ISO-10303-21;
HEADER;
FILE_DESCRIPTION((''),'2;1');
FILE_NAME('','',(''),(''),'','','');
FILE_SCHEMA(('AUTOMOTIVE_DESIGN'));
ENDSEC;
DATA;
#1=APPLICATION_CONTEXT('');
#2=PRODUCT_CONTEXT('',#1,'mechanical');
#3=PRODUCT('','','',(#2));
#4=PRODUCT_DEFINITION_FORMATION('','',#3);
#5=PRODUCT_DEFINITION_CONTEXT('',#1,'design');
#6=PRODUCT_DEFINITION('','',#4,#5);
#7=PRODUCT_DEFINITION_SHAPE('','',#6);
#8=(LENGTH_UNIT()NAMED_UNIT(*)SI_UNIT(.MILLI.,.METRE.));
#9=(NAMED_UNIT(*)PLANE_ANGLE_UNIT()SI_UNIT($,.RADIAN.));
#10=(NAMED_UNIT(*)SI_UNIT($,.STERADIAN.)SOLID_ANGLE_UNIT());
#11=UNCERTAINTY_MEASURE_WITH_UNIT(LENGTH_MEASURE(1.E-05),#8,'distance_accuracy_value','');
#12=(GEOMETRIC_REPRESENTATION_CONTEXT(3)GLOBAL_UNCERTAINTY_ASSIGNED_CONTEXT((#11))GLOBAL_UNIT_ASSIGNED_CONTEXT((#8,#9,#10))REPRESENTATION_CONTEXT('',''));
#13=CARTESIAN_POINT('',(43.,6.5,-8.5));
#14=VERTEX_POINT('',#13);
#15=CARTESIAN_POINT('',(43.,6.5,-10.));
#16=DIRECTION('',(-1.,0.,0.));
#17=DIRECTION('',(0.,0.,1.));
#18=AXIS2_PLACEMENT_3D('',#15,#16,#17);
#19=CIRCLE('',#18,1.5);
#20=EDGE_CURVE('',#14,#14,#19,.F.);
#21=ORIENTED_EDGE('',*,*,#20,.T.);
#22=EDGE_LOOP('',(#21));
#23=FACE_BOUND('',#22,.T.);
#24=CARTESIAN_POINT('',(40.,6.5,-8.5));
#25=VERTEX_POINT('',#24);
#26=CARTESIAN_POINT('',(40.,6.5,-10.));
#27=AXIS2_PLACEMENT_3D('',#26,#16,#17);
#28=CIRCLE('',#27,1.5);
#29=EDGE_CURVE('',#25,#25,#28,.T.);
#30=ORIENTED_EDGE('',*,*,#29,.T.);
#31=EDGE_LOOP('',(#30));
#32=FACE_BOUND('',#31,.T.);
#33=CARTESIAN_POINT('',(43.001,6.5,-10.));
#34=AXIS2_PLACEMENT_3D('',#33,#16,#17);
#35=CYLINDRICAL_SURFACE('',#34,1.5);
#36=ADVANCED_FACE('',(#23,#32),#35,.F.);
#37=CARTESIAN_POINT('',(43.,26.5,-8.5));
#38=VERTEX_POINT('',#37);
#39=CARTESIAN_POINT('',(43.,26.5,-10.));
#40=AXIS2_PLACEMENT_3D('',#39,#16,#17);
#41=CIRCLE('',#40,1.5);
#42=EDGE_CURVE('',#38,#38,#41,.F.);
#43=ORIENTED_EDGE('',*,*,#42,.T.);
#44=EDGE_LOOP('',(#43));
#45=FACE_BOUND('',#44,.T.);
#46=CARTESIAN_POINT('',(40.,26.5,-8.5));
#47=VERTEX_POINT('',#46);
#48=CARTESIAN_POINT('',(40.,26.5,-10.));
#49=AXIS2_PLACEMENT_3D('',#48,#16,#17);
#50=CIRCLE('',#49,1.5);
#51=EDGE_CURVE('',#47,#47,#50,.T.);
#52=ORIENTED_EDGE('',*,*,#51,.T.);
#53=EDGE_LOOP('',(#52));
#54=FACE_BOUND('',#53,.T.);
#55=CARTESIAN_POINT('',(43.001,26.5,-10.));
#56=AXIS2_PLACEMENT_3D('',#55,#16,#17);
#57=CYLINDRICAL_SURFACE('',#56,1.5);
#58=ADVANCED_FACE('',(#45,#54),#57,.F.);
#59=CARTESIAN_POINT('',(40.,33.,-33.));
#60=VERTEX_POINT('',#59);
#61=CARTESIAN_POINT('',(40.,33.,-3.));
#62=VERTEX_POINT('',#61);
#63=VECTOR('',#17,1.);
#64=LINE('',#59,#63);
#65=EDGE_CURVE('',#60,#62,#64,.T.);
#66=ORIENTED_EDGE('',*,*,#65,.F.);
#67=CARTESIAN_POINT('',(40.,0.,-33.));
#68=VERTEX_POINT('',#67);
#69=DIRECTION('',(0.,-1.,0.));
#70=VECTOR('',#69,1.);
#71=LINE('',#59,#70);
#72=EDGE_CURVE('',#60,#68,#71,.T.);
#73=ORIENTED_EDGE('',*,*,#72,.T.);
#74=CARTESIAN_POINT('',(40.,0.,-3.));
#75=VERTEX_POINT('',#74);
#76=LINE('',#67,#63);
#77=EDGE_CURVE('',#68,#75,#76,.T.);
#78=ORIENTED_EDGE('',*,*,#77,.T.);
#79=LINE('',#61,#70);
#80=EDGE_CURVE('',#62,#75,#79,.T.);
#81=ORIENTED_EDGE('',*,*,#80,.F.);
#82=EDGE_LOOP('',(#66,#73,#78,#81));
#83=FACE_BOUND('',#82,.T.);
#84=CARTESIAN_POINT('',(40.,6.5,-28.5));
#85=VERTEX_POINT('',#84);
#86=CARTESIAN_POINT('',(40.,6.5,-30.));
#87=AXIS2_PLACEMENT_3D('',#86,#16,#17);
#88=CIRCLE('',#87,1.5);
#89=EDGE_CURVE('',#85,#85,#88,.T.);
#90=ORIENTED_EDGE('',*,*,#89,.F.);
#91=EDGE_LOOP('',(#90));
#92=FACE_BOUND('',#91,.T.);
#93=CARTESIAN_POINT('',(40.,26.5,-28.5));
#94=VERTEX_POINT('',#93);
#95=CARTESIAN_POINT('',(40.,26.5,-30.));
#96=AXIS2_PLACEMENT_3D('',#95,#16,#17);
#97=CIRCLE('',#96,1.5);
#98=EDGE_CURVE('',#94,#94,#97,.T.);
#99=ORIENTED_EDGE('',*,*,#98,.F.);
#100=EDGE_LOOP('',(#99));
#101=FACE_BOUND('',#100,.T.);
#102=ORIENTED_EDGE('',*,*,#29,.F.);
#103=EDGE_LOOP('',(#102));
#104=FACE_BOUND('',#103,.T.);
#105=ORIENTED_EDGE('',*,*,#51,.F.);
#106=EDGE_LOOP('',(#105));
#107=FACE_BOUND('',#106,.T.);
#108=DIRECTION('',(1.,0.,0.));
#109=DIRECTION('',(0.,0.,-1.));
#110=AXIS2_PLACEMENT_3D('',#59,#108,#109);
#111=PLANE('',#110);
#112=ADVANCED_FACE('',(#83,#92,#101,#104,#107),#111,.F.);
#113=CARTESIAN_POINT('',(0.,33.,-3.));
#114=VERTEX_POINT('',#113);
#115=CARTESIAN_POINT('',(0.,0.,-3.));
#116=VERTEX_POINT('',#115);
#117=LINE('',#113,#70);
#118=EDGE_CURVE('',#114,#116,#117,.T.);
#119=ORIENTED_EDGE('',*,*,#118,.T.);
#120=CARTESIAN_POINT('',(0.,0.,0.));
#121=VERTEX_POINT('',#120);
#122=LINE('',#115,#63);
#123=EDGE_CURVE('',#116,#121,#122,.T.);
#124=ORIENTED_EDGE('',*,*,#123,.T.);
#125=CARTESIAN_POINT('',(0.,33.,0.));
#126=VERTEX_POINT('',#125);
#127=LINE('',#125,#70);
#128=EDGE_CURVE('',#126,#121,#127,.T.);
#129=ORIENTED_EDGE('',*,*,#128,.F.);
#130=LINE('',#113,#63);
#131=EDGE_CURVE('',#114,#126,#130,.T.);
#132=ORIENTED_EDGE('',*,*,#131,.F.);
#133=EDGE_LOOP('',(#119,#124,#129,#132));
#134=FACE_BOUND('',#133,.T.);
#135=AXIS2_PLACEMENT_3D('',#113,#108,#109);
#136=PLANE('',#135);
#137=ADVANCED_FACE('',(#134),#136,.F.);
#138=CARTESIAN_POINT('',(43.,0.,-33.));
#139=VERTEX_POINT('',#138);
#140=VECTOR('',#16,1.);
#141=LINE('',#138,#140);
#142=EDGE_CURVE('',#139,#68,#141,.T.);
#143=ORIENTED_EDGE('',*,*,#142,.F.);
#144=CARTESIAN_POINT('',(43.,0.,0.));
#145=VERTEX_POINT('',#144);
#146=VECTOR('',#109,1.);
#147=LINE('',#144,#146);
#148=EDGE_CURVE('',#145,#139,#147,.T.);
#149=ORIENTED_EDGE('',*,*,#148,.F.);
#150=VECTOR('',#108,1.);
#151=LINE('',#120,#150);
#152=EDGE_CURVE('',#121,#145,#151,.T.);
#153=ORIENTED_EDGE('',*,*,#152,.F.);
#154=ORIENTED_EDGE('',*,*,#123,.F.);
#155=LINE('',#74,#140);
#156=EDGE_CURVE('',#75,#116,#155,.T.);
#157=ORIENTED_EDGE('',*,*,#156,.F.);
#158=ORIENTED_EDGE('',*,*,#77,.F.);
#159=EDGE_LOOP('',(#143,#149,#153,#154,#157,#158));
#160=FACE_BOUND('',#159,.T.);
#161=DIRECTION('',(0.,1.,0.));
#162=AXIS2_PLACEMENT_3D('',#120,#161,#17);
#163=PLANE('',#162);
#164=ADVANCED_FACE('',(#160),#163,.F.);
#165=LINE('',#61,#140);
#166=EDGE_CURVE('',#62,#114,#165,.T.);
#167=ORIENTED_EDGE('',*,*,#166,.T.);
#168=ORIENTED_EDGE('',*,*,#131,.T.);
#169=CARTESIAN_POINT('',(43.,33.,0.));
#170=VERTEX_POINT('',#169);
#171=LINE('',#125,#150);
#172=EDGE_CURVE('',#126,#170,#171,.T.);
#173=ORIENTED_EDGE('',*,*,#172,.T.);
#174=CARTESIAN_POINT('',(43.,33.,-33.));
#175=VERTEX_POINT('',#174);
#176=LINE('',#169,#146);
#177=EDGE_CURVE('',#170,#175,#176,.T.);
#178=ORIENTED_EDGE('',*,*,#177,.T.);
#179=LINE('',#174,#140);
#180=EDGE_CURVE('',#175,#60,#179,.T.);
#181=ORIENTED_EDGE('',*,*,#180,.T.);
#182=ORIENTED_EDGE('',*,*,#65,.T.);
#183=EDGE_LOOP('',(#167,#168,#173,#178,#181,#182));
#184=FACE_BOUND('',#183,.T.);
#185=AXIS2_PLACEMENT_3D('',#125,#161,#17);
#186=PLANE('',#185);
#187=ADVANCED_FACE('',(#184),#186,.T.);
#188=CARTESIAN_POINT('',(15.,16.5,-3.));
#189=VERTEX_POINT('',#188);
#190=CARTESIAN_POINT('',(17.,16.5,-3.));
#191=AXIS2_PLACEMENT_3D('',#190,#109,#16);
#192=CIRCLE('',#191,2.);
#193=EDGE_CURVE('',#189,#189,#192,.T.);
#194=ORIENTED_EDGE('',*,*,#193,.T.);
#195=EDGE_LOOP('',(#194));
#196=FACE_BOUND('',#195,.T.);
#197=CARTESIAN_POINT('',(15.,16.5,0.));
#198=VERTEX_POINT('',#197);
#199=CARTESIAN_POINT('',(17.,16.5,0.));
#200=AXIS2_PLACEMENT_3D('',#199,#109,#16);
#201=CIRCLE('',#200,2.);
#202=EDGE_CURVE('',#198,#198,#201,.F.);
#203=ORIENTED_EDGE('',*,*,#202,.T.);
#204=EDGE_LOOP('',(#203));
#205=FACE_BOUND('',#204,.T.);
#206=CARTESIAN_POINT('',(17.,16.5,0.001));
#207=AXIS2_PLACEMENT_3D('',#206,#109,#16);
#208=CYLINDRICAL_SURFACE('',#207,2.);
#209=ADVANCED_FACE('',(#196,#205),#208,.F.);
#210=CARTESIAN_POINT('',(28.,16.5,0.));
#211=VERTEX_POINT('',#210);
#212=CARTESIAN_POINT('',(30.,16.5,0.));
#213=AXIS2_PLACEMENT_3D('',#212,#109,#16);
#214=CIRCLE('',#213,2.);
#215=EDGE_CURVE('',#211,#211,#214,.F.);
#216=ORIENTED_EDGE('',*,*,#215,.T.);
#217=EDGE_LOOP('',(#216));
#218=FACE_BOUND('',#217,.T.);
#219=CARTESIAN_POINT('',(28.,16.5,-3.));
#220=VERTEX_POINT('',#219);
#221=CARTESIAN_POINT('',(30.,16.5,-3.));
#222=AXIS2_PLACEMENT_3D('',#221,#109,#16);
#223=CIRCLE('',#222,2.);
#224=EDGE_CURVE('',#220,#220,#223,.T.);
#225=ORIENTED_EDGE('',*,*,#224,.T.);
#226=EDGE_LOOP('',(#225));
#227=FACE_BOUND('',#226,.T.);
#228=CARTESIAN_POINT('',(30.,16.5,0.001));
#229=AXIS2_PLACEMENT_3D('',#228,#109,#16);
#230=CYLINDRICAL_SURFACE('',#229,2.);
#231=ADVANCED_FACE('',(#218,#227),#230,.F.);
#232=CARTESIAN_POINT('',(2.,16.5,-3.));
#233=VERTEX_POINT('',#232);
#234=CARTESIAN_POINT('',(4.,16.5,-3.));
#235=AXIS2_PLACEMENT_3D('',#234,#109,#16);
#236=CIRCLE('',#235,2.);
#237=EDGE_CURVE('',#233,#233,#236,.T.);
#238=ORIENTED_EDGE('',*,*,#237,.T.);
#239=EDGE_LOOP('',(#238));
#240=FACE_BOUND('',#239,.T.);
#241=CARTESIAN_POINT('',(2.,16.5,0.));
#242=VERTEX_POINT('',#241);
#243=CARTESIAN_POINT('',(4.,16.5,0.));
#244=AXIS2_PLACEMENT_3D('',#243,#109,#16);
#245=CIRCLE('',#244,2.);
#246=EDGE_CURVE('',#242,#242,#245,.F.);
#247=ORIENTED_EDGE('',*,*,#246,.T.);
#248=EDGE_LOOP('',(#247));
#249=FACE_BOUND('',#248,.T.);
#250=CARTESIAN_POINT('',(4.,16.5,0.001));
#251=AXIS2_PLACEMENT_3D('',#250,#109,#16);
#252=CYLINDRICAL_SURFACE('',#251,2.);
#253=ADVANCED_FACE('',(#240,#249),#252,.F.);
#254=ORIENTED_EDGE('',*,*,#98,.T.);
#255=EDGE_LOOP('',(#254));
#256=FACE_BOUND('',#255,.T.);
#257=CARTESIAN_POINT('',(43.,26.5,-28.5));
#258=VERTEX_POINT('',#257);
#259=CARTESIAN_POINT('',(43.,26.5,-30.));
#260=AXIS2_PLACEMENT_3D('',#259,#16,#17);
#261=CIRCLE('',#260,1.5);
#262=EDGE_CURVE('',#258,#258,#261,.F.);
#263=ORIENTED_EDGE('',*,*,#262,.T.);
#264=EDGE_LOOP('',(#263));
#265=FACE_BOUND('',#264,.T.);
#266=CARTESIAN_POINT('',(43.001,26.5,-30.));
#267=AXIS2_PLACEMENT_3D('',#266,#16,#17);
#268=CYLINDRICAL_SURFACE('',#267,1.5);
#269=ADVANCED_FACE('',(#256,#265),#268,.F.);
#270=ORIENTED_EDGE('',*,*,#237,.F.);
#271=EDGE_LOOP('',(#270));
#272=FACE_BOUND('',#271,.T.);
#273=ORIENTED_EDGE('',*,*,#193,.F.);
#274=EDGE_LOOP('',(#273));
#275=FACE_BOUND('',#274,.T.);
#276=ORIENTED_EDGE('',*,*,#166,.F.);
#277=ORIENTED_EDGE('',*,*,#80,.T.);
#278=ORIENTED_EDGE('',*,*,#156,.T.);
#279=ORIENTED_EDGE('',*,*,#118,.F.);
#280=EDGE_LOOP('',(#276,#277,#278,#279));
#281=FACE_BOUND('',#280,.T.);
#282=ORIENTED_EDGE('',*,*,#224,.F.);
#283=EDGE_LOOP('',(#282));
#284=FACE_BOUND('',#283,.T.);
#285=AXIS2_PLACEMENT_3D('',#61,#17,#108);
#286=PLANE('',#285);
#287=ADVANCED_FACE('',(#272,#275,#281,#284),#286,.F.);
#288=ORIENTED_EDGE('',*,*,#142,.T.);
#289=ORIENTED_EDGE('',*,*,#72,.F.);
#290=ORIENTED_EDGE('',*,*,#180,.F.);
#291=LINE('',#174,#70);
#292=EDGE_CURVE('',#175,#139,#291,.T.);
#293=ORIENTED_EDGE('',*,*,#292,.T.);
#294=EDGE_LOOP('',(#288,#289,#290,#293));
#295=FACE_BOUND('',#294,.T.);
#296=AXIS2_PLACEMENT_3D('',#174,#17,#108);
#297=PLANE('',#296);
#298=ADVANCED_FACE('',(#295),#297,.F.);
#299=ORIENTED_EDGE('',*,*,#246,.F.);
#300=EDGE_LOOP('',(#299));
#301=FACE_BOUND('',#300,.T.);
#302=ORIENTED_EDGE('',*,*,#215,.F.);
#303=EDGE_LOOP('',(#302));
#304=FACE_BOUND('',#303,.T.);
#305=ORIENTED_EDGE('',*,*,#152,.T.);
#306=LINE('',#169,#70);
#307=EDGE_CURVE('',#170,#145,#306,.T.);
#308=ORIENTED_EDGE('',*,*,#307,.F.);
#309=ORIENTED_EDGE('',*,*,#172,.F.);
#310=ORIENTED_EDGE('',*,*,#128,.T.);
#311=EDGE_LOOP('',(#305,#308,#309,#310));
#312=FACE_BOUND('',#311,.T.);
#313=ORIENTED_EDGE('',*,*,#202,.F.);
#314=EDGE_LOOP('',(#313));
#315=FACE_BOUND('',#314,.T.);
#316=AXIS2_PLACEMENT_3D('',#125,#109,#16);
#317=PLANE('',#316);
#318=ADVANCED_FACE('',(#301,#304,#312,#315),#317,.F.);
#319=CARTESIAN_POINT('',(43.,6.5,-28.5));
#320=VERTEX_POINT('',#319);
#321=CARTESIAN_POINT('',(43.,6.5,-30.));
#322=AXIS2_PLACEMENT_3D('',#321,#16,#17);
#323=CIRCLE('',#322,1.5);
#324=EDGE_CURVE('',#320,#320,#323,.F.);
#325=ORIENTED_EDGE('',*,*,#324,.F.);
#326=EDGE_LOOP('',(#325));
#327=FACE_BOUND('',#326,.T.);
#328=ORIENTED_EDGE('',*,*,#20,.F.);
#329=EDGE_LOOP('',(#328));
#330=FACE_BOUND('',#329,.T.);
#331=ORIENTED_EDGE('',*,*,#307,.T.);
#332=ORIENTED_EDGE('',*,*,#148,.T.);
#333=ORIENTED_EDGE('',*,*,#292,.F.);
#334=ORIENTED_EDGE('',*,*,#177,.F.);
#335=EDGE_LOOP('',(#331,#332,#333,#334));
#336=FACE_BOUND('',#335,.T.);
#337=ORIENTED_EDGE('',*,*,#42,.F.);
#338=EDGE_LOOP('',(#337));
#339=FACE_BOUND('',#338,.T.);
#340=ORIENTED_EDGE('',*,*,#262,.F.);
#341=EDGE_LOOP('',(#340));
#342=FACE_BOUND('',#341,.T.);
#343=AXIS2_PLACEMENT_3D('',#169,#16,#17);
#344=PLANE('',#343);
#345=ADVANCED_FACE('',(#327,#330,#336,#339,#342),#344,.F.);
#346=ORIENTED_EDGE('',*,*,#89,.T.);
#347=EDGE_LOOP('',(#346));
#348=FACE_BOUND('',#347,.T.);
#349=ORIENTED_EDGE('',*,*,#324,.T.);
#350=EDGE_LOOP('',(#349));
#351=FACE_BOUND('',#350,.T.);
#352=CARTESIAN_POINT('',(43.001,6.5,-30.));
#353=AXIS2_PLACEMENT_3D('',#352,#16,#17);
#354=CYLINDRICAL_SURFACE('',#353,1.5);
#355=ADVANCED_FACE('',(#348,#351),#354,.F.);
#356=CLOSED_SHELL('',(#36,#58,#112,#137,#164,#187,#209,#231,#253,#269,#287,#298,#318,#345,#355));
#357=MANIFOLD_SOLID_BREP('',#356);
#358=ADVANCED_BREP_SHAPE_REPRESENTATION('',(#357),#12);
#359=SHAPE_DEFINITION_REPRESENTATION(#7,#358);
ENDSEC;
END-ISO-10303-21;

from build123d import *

# Parameters (mm, degrees)
EXTRUDE_1_DEPTH     = 33
CUT_EXTRUDE_1_REACH = 63.465
SKETCH_2_R          = 1.5
CUT_EXTRUDE_2_REACH = 63.952
SKETCH_3_R          = 2


with BuildPart() as part:
    # 草图1 → 凸台-拉伸1 (new body)
    with BuildSketch(Plane(origin=(0, 0, 0), x_dir=(1, 0, 0), z_dir=(0, 1, 0))):
        Polygon((0, 0), (43, 0), (43, 33), (40, 33), (40, 3), (0, 3), align=None)
    extrude(amount=EXTRUDE_1_DEPTH)

    # 草图2 → 切除-拉伸1 (cut, up to next)
    with BuildSketch(Plane.ZY.offset(-40), mode=Mode.PRIVATE) as cut_extrude_1_sk1:
        with Locations((-30, 6.5)):
            Circle(SKETCH_2_R)
    cut_extrude_1_tool1 = extrude(cut_extrude_1_sk1.sketch, amount=-CUT_EXTRUDE_1_REACH, mode=Mode.PRIVATE) & part.part
    # 草图2 → 切除-拉伸1 (cut, up to next)
    with BuildSketch(Plane.ZY.offset(-40), mode=Mode.PRIVATE) as cut_extrude_1_sk2:
        with Locations((-30, 26.5)):
            Circle(SKETCH_2_R)
    cut_extrude_1_tool2 = extrude(cut_extrude_1_sk2.sketch, amount=-CUT_EXTRUDE_1_REACH, mode=Mode.PRIVATE) & part.part
    # 草图2 → 切除-拉伸1 (cut, up to next)
    with BuildSketch(Plane.ZY.offset(-40), mode=Mode.PRIVATE) as cut_extrude_1_sk3:
        with Locations((-10, 6.5)):
            Circle(SKETCH_2_R)
    cut_extrude_1_tool3 = extrude(cut_extrude_1_sk3.sketch, amount=-CUT_EXTRUDE_1_REACH, mode=Mode.PRIVATE) & part.part
    # 草图2 → 切除-拉伸1 (cut, up to next)
    with BuildSketch(Plane.ZY.offset(-40), mode=Mode.PRIVATE) as cut_extrude_1_sk4:
        with Locations((-10, 26.5)):
            Circle(SKETCH_2_R)
    cut_extrude_1_tool4 = extrude(cut_extrude_1_sk4.sketch, amount=-CUT_EXTRUDE_1_REACH, mode=Mode.PRIVATE) & part.part
    add(cut_extrude_1_tool1.solids().sort_by_distance((40, 6.5, -30))[0], mode=Mode.SUBTRACT)
    add(cut_extrude_1_tool2.solids().sort_by_distance((40, 26.5, -30))[0], mode=Mode.SUBTRACT)
    add(cut_extrude_1_tool3.solids().sort_by_distance((40, 6.5, -10))[0], mode=Mode.SUBTRACT)
    add(cut_extrude_1_tool4.solids().sort_by_distance((40, 26.5, -10))[0], mode=Mode.SUBTRACT)

    # 草图3 → 切除-拉伸2 (cut, up to next)
    with BuildSketch(Plane(origin=(0, 0, -3), x_dir=(-1, 0, 0), z_dir=(0, 0, -1)), mode=Mode.PRIVATE) as cut_extrude_2_sk1:
        with Locations((-4, 16.5)):
            Circle(SKETCH_3_R)
    cut_extrude_2_tool1 = extrude(cut_extrude_2_sk1.sketch, amount=-CUT_EXTRUDE_2_REACH, mode=Mode.PRIVATE) & part.part
    # 草图3 → 切除-拉伸2 (cut, up to next)
    with BuildSketch(Plane(origin=(0, 0, -3), x_dir=(-1, 0, 0), z_dir=(0, 0, -1)), mode=Mode.PRIVATE) as cut_extrude_2_sk2:
        with Locations((-30, 16.5)):
            Circle(SKETCH_3_R)
    cut_extrude_2_tool2 = extrude(cut_extrude_2_sk2.sketch, amount=-CUT_EXTRUDE_2_REACH, mode=Mode.PRIVATE) & part.part
    # 草图3 → 切除-拉伸2 (cut, up to next)
    with BuildSketch(Plane(origin=(0, 0, -3), x_dir=(-1, 0, 0), z_dir=(0, 0, -1)), mode=Mode.PRIVATE) as cut_extrude_2_sk3:
        with Locations((-17, 16.5)):
            Circle(SKETCH_3_R)
    cut_extrude_2_tool3 = extrude(cut_extrude_2_sk3.sketch, amount=-CUT_EXTRUDE_2_REACH, mode=Mode.PRIVATE) & part.part
    add(cut_extrude_2_tool1.solids().sort_by_distance((4, 16.5, -3))[0], mode=Mode.SUBTRACT)
    add(cut_extrude_2_tool2.solids().sort_by_distance((30, 16.5, -3))[0], mode=Mode.SUBTRACT)
    add(cut_extrude_2_tool3.solids().sort_by_distance((17, 16.5, -3))[0], mode=Mode.SUBTRACT)


solid = part.part
